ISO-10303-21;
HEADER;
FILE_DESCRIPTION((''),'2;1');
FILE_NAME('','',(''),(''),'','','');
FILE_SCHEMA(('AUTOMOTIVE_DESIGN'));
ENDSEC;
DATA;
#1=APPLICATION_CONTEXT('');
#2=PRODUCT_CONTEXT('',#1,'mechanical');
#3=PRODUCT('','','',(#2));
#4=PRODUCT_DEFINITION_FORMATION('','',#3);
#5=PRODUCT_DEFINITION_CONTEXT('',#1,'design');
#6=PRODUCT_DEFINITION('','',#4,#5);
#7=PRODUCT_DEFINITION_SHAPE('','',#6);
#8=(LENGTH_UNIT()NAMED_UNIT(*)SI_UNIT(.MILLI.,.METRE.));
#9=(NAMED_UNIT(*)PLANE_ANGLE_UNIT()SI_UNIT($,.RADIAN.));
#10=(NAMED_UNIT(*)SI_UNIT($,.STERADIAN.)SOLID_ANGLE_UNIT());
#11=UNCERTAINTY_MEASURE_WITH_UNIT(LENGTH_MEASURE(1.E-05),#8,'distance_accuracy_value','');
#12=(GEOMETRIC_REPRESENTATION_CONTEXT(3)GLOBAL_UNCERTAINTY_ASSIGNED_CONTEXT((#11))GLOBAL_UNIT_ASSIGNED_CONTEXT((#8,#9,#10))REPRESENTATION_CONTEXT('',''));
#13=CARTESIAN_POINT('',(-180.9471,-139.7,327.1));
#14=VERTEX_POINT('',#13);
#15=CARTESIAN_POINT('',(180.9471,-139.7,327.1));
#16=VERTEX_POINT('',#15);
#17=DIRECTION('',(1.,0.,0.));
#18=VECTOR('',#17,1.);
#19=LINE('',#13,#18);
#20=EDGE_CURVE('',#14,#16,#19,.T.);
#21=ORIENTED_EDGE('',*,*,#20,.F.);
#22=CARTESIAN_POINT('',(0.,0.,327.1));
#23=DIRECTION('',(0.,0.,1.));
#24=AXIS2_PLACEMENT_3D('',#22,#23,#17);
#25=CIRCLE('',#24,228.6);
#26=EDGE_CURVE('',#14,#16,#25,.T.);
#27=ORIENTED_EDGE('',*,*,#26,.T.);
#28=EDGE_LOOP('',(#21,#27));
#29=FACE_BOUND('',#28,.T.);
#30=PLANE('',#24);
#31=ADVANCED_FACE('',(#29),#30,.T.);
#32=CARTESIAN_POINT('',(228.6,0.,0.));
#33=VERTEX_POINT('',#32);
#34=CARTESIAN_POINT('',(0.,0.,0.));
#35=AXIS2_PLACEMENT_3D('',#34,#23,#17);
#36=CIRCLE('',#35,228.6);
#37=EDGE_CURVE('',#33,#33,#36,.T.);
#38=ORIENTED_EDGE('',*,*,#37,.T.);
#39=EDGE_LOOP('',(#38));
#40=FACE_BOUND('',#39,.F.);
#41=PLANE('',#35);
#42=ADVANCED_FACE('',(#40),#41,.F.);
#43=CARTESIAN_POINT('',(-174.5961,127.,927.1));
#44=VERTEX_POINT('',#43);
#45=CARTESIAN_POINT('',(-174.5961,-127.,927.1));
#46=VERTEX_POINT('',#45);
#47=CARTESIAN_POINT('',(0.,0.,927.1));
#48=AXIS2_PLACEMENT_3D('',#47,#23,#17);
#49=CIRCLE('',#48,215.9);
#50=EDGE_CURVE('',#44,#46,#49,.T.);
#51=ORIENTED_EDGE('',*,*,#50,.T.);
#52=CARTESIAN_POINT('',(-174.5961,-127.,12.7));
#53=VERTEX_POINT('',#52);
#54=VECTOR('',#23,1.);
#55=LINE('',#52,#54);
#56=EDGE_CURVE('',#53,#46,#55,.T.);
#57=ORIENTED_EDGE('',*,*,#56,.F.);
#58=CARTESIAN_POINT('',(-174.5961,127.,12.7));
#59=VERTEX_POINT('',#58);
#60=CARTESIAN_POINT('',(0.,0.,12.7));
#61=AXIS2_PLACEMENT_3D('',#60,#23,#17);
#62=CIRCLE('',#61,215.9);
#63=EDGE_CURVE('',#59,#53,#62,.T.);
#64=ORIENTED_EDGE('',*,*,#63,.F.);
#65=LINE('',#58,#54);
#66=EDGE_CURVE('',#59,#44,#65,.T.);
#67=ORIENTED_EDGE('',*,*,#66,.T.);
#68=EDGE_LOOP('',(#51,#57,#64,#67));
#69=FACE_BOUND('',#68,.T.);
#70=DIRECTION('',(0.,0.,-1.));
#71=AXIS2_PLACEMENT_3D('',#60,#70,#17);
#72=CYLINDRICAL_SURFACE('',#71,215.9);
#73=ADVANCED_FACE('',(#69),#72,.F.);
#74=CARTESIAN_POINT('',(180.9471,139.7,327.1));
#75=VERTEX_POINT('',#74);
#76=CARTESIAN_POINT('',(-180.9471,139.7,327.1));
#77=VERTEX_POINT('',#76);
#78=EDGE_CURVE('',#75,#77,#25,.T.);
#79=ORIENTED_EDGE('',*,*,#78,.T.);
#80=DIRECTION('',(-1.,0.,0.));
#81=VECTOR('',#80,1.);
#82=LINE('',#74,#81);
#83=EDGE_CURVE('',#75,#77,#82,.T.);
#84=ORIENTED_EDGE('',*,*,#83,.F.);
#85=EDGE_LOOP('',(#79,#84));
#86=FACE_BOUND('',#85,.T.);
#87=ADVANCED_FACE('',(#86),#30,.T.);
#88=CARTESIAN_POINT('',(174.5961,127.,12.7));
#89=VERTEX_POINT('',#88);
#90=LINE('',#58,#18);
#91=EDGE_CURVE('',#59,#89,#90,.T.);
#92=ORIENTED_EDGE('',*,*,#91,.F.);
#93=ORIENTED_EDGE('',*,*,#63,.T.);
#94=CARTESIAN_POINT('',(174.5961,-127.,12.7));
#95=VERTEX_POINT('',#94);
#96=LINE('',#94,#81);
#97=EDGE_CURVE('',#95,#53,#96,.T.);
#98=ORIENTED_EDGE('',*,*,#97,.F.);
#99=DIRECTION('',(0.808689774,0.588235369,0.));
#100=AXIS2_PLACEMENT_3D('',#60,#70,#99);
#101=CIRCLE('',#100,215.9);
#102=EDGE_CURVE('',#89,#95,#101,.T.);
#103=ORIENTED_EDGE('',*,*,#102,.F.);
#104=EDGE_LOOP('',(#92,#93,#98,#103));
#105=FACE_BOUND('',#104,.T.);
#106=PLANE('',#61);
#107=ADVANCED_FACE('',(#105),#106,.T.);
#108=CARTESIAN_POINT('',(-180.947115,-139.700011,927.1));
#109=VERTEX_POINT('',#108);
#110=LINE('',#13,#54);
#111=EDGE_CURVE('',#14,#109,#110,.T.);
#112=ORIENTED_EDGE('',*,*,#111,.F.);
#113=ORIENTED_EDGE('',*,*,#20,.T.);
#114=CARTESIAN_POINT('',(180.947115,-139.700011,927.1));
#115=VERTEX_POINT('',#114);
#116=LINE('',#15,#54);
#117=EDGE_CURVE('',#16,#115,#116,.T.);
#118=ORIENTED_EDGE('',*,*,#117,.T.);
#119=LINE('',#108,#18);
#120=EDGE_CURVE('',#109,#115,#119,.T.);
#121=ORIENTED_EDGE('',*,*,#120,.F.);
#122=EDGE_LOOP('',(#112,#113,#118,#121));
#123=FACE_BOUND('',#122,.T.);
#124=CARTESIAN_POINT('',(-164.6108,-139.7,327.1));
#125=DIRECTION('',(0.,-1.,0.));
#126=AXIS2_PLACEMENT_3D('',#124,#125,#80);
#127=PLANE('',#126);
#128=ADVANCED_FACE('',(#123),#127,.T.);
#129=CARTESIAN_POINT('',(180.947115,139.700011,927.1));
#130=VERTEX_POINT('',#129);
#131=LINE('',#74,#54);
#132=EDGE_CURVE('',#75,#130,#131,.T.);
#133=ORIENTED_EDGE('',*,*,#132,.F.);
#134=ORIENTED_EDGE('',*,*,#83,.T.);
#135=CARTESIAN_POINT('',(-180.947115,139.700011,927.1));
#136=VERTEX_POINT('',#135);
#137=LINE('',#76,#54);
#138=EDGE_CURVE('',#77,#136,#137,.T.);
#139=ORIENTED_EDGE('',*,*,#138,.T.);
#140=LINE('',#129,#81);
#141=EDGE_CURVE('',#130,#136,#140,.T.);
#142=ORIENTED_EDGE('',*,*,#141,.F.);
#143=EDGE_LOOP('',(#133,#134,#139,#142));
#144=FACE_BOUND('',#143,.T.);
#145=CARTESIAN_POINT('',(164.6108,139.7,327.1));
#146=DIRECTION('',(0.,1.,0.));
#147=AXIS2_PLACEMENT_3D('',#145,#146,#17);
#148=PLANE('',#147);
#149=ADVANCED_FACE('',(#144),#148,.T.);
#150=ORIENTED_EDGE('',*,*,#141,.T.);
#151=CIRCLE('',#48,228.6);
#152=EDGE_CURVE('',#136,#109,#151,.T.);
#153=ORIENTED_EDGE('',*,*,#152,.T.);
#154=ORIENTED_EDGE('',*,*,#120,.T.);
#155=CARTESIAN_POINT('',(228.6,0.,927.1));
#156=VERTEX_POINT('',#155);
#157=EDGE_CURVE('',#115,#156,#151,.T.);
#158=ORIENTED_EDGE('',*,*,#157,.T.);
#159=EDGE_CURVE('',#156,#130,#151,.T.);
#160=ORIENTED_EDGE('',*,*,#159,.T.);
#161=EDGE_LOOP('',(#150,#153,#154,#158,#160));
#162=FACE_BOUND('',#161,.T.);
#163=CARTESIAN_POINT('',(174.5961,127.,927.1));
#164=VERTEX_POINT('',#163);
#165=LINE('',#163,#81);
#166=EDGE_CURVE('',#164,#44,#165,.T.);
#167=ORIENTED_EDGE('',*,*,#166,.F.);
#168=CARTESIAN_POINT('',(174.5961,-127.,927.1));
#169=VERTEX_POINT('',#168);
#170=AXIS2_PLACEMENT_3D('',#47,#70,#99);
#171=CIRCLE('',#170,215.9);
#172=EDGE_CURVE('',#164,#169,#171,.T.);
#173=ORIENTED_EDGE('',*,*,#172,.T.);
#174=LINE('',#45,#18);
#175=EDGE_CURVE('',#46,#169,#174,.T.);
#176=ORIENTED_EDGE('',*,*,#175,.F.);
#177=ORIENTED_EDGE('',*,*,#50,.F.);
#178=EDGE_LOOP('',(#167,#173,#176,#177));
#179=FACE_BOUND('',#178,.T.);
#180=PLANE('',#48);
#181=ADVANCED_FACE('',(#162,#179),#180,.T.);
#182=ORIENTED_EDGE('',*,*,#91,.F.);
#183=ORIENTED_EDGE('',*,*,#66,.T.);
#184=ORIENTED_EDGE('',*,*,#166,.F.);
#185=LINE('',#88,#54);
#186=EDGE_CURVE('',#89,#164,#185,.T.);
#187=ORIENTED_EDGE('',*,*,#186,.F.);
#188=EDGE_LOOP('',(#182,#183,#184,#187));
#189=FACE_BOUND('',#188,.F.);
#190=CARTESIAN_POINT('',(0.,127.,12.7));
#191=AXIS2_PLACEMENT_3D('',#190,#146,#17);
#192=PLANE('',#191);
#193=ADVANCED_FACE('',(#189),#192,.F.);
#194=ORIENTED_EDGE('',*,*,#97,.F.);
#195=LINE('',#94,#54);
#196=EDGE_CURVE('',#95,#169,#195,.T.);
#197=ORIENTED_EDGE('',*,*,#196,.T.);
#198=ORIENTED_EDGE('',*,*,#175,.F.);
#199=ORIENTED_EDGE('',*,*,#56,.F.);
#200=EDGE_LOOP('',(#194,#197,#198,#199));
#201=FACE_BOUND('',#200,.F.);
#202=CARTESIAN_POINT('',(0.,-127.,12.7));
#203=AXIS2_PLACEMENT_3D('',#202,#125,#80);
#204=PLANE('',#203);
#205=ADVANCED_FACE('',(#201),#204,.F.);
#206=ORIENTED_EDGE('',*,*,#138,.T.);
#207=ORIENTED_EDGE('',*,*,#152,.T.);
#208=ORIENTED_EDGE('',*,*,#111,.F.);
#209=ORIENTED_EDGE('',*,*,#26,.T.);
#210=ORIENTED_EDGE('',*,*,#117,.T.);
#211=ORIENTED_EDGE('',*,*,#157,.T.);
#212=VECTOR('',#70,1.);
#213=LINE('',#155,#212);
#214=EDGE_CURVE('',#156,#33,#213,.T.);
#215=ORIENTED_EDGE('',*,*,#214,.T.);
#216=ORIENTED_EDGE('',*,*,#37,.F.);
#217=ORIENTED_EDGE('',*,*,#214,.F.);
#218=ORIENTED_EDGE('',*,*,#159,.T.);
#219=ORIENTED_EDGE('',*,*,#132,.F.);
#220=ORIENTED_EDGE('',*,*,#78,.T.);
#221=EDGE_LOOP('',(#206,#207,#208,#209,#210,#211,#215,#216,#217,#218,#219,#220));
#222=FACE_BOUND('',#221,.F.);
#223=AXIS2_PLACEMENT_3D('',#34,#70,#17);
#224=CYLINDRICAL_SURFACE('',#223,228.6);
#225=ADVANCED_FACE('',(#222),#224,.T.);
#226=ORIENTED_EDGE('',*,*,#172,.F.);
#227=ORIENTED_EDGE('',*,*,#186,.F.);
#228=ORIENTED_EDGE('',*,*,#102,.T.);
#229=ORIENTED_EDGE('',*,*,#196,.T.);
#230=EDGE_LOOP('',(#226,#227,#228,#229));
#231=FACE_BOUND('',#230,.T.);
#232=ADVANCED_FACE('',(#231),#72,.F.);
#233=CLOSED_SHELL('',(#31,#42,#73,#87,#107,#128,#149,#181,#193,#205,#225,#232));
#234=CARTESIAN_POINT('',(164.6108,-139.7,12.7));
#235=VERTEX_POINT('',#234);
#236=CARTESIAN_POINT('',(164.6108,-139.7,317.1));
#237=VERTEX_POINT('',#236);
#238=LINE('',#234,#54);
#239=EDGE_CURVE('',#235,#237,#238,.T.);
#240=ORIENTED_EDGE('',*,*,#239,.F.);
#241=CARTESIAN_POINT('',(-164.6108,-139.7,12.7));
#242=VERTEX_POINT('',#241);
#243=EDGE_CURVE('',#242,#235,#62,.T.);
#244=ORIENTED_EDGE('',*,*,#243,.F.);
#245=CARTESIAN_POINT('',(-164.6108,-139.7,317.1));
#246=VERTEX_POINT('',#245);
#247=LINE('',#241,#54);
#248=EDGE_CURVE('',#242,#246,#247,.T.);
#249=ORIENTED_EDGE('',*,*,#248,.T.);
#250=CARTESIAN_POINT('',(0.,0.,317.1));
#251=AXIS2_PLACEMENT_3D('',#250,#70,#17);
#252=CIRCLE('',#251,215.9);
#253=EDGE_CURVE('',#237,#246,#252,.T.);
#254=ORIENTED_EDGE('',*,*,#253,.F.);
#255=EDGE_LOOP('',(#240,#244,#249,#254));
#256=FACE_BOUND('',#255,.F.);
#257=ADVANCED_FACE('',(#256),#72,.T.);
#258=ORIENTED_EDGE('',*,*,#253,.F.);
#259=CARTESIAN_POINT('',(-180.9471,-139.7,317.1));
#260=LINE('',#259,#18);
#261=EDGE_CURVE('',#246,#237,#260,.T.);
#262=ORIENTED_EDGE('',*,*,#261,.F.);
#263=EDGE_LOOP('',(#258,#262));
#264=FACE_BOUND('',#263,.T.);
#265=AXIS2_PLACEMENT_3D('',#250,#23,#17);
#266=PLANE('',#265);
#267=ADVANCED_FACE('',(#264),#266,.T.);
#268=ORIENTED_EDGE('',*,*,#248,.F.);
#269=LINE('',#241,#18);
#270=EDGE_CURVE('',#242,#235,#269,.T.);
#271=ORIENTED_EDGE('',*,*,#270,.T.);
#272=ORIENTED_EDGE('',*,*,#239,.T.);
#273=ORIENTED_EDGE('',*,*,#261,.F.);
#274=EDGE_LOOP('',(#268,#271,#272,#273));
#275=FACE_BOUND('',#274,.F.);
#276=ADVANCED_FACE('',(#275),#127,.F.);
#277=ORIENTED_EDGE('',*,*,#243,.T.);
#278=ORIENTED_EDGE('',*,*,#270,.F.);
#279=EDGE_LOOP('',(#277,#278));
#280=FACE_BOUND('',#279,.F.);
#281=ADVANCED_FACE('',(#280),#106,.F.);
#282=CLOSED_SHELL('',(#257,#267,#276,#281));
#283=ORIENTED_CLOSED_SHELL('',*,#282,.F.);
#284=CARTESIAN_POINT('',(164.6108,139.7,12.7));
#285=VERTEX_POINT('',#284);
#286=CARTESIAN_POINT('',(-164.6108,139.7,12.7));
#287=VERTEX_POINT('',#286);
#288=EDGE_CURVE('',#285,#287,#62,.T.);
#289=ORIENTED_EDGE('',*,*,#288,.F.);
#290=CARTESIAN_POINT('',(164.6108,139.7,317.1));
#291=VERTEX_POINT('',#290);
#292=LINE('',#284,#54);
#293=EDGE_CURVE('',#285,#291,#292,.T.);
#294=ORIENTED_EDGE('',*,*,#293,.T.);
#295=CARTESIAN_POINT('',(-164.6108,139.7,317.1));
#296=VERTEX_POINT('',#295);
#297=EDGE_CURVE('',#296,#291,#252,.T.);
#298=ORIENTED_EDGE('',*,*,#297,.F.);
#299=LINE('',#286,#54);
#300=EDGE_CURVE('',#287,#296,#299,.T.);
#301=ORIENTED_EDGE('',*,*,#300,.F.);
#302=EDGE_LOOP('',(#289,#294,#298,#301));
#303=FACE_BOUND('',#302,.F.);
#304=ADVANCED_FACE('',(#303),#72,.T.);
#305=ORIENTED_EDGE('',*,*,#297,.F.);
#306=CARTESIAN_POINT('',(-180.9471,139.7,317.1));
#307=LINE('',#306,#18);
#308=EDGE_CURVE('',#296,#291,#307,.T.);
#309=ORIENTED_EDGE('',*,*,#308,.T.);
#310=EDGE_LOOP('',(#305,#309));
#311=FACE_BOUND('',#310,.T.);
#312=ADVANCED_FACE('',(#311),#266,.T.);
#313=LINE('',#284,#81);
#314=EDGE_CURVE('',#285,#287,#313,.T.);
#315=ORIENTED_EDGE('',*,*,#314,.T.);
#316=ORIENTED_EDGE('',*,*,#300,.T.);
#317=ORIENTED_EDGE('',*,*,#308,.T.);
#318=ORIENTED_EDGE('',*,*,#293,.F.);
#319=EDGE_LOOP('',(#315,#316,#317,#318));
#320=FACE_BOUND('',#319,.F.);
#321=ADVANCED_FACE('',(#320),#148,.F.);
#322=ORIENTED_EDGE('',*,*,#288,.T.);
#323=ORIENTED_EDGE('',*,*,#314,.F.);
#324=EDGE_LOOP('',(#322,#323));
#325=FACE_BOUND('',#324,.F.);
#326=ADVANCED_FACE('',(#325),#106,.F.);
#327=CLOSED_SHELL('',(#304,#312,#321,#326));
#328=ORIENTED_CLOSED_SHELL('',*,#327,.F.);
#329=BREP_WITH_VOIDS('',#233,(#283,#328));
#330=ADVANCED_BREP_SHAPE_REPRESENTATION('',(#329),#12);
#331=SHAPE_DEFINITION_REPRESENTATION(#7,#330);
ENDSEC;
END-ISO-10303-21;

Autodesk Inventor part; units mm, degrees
ref_plane "YZ Plane" through (0, 0, 0) normal (1, 0, 0) x (0, 1, 0)
ref_plane "XZ Plane" through (0, 0, 0) normal (0, 1, 0) x (-1, 0, 0)
sketch "Sketch1" plane through (0, 0, 0) normal (0, 0, 1) x (1, 0, 0)
  circle A0 centre (0, 0) radius 228.6
  dimension "d0" = 457.2
extrude "Extrusion1" add sketch "Sketch1" along normal blind 12.7
sketch "Sketch2" plane through (0, 0, 12.7) normal (0, 0, 1) x (1, 0, 0)
  circle A0 centre (0, 0) radius 228.6
  circle A1 centre (0, 0) radius 215.9
  dimension "d3" = 457.2
  dimension "d4" = 431.8
extrude "Extrusion2" add sketch "Sketch2" along normal blind 914.4
sketch "Sketch3" plane through (0, 0, 12.7) normal (0, 0, 1) x (1, 0, 0)
  line L0 (0, -139.7) -> (164.6108, -139.7)
  line L1 (0, -127) -> (174.5961, -127)
  circle A0 centre (0, 0) radius 215.9 projected
  circle A1 centre (0, 0) radius 215.9 projected
  line L2 (0, 127) -> (174.5961, 127)
  line L3 (0, 139.7) -> (164.6108, 139.7)
  line L4 (0, 139.7) -> (-164.6108, 139.7)
  line L5 (0, 127) -> (-174.5961, 127)
  circle A2 centre (0, 0) radius 215.9
  line L6 (0, -127) -> (-174.5961, -127)
  line L7 (0, -139.7) -> (-164.6108, -139.7)
  dimension "d7" = 12.7
  dimension "d8" = 127
  dimension "d9" = 12.7
  dimension "d10" = 127
extrude "Extrusion3" add sketch "Sketch3" along normal blind 914.4 contours L7 A0 L6 L1 L0 | A0 L4 L3 L2 L5
ref_plane "Work Plane3" through (0, 0, 327.1) normal (0, 0, 1) x (1, 0, 0)
sketch "Sketch10" plane through (0, 0, 327.1) normal (0, 0, 1) x (1, 0, 0)
  circle A0 centre (0, 0) radius 228.6 projected
  arc A1 (-164.6108, -139.7) -> (164.6108, -139.7) centre (0, 0) ccw projected
  line L0 (-164.6108, -139.7) -> (-180.9471, -139.7)
  line L1 (164.6108, -139.7) -> (-164.6108, -139.7) projected
  line L2 (164.6108, -139.7) -> (180.9471, -139.7)
  arc A2 (-180.9471, -139.7) -> (180.9471, -139.7) centre (0, 0) ccw
  arc A3 (164.6108, 139.7) -> (-164.6108, 139.7) centre (0, 0) ccw projected
  line L3 (164.6108, 139.7) -> (180.9471, 139.7)
  line L4 (-164.6108, 139.7) -> (164.6108, 139.7) projected
  line L5 (-164.6108, 139.7) -> (-180.9471, 139.7)
  arc A4 (180.9471, 139.7) -> (-180.9471, 139.7) centre (0, 0) ccw
  line L6 (-164.6108, 139.7) -> (164.6108, 139.7)
  line L7 (-164.6108, -139.7) -> (164.6108, -139.7)
extrude "Extrusion7" cut sketch "Sketch10" along normal through all contours L3 A3 L5 A0 | A0 L0 A1 L2 | L4 A3 | A1 L1
sketch "Sketch11" plane through (0, 0, 327.1) normal (0, 0, 1) x (1, 0, 0)
  line L0 (-180.9471, -139.7) -> (180.9471, -139.7)
  arc A0 (-180.9471, -139.7) -> (180.9471, -139.7) centre (0, 0) ccw projected
  arc A1 (-180.9471, -139.7) -> (180.9471, -139.7) centre (0, 0) ccw
  line L1 (-180.9471, 139.7) -> (-164.6108, 139.7) projected
  line L2 (-180.9471, 139.7) -> (180.9471, 139.7)
  line L3 (164.6108, 139.7) -> (180.9471, 139.7) projected
  arc A2 (180.9471, 139.7) -> (-180.9471, 139.7) centre (0, 0) ccw
extrude "Extrusion8" add sketch "Sketch11" against normal blind 10
properties part number "Chassis" material "ABS Plastic"
